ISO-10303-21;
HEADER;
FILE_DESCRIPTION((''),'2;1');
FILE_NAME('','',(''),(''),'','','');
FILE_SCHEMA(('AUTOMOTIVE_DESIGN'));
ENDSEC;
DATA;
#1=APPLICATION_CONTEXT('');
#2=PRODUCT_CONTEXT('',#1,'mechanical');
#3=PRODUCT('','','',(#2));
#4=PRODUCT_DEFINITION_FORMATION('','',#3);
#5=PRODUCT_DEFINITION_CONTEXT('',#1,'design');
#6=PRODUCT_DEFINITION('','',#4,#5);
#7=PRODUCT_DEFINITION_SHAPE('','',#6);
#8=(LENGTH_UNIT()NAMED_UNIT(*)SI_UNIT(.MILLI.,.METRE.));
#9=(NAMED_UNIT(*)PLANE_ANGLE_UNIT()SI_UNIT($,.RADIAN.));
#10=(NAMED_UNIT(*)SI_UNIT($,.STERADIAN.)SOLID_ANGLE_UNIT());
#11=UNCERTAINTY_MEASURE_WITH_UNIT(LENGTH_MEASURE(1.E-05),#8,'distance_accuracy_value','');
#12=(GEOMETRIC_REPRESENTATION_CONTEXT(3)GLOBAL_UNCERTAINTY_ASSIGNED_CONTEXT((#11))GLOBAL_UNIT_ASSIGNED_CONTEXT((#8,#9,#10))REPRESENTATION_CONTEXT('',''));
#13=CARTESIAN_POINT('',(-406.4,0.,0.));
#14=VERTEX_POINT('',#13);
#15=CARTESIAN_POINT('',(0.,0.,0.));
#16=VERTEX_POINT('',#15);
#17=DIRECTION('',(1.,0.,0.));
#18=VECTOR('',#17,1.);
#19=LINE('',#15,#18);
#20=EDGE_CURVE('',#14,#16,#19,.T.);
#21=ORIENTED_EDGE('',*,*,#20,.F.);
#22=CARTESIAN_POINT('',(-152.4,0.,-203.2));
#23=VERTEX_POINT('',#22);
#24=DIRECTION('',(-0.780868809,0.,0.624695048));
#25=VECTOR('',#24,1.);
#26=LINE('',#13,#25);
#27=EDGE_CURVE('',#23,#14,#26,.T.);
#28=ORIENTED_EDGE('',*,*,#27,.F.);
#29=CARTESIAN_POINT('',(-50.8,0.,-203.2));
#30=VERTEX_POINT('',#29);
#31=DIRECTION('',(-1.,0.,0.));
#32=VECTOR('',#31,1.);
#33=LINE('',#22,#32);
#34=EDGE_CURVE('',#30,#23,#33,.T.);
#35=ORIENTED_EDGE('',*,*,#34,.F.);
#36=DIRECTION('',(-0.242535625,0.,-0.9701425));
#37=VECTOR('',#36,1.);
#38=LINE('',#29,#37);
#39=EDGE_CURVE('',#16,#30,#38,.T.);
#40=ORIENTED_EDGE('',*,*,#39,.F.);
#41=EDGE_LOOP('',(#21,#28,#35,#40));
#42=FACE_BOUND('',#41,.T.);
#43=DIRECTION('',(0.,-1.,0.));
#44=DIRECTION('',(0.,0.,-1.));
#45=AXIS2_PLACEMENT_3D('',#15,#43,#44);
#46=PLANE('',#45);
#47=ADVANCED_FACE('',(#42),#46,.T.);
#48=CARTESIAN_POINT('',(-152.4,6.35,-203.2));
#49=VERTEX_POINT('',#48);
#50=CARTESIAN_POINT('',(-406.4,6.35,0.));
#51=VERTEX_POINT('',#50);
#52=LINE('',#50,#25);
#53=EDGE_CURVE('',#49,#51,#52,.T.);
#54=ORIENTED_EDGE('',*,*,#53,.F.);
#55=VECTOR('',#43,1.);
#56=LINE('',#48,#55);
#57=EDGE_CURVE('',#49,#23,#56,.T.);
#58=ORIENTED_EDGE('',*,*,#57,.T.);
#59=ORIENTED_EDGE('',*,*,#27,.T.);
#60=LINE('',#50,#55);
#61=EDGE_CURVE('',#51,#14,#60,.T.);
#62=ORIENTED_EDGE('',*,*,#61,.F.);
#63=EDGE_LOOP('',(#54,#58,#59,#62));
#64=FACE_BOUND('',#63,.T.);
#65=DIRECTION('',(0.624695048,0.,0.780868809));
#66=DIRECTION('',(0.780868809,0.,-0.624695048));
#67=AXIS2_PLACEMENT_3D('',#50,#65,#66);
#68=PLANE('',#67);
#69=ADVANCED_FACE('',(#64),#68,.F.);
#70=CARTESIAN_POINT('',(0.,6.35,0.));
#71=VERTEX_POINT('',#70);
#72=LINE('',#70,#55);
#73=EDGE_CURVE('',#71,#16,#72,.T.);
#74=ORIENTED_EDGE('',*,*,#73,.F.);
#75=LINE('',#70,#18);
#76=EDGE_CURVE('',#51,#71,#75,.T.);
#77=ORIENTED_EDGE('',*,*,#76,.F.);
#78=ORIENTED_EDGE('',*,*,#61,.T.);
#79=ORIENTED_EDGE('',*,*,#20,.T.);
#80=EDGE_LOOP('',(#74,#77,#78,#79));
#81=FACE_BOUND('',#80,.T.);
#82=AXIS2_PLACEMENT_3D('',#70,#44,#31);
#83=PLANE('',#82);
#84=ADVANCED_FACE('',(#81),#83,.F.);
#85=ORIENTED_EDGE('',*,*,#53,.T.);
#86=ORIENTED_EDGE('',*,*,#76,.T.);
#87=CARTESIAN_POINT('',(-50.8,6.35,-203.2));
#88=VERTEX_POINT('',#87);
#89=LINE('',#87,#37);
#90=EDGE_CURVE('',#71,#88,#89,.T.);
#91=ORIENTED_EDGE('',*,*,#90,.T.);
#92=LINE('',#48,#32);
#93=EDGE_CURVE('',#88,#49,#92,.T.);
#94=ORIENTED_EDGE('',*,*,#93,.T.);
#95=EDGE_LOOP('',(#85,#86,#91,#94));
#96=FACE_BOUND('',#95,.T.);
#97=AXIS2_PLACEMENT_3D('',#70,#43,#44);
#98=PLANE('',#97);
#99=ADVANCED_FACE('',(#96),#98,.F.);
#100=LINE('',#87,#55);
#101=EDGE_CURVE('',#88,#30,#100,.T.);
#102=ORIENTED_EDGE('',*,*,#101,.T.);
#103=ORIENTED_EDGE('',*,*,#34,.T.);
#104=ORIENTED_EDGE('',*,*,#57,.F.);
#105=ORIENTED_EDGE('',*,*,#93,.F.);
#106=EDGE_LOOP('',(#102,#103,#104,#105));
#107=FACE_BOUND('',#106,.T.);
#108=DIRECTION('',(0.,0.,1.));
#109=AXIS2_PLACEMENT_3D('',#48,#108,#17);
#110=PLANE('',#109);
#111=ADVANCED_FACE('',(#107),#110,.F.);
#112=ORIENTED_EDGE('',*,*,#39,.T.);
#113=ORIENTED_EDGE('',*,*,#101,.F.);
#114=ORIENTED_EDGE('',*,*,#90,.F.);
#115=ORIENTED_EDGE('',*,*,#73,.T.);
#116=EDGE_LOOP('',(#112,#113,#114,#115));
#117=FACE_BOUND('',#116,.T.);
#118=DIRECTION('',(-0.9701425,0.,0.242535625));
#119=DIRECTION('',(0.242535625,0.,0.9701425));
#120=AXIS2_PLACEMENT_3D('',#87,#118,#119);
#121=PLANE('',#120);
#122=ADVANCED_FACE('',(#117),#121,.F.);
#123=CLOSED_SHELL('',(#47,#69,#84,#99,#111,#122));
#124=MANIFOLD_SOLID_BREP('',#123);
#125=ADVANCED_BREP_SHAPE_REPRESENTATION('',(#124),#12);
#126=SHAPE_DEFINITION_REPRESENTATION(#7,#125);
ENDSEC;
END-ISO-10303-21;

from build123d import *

# Parameters (mm, degrees)
BOSS_EXTRUDE1_DEPTH = 6.35


with BuildPart() as part:
    # Sketch1 → Boss-Extrude1 (new body)
    with BuildSketch(Plane(origin=(0, 0, 0), x_dir=(1, 0, 0), z_dir=(0, 1, 0))):
        Polygon((0, 0), (-406.4, 0), (-152.4, 203.2), (-50.8, 203.2), align=None)
    extrude(amount=BOSS_EXTRUDE1_DEPTH)


solid = part.part
